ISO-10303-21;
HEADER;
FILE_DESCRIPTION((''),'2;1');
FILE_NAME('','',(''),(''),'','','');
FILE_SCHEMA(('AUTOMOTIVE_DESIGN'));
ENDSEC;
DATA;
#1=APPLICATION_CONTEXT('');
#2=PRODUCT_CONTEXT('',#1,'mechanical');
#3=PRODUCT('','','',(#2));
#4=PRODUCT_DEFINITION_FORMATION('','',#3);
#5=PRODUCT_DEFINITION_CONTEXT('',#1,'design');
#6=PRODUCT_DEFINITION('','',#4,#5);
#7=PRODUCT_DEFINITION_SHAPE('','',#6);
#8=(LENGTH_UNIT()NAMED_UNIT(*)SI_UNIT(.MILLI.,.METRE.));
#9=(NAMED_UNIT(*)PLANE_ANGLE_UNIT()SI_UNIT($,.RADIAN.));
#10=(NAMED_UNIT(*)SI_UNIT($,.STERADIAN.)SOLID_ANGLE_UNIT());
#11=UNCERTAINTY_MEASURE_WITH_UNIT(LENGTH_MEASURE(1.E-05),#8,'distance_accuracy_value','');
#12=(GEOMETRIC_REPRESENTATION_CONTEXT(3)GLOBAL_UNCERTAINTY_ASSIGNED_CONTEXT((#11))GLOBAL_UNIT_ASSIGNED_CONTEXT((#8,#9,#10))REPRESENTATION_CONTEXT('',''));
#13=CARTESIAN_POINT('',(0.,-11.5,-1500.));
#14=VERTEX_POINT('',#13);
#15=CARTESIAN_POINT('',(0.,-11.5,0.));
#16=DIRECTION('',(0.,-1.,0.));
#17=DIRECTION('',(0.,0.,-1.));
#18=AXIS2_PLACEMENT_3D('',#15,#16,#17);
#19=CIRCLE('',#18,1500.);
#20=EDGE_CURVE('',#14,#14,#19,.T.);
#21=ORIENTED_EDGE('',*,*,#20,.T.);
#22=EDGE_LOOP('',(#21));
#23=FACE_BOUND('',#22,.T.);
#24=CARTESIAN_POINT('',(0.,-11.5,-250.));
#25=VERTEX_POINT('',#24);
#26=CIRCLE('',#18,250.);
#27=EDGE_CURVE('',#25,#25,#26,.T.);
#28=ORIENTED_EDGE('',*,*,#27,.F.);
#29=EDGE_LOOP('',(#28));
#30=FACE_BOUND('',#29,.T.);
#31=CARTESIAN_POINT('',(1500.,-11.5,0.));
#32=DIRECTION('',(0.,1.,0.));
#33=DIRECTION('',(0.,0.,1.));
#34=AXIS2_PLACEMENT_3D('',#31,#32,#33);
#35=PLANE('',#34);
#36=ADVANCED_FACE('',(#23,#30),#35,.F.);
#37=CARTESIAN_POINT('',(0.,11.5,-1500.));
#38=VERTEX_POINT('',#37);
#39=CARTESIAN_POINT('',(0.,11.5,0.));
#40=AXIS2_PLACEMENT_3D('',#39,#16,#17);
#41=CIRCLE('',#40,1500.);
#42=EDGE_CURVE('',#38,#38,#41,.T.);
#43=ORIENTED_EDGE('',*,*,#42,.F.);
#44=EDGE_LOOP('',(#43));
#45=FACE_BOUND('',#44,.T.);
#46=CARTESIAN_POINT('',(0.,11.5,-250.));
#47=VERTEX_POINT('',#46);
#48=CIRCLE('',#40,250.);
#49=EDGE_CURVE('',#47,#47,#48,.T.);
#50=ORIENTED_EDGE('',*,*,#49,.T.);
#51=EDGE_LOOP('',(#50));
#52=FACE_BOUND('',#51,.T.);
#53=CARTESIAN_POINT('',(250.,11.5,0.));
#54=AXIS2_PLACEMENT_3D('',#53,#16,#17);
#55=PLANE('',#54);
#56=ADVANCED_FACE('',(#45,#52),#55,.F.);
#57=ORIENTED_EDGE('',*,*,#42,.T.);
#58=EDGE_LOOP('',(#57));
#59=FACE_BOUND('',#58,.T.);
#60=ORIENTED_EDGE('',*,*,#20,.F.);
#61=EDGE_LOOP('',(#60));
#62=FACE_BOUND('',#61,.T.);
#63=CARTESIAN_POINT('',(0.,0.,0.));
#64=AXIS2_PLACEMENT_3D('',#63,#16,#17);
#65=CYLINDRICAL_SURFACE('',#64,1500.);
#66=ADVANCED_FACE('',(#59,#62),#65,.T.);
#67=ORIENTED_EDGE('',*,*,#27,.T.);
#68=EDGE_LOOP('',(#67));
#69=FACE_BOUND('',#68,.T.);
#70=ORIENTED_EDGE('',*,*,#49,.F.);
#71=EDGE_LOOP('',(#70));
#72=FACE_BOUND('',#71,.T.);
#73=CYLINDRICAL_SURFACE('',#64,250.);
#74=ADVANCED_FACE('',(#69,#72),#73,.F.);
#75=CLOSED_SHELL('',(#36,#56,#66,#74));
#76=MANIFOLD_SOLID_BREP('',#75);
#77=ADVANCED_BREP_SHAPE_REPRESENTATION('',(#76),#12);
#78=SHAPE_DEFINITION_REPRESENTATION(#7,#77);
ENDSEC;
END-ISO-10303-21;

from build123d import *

# Parameters (mm, degrees)
SKETCH1_W = 1250
SKETCH1_H = 23


with BuildPart() as part:
    # Sketch1 → Revolve1 (revolve)
    with BuildSketch(Plane.XY):
        with Locations((875, 0)):
            Rectangle(SKETCH1_W, SKETCH1_H)
    revolve(axis=Axis((0, 0, 0), (0, 1, 0)))


solid = part.part
